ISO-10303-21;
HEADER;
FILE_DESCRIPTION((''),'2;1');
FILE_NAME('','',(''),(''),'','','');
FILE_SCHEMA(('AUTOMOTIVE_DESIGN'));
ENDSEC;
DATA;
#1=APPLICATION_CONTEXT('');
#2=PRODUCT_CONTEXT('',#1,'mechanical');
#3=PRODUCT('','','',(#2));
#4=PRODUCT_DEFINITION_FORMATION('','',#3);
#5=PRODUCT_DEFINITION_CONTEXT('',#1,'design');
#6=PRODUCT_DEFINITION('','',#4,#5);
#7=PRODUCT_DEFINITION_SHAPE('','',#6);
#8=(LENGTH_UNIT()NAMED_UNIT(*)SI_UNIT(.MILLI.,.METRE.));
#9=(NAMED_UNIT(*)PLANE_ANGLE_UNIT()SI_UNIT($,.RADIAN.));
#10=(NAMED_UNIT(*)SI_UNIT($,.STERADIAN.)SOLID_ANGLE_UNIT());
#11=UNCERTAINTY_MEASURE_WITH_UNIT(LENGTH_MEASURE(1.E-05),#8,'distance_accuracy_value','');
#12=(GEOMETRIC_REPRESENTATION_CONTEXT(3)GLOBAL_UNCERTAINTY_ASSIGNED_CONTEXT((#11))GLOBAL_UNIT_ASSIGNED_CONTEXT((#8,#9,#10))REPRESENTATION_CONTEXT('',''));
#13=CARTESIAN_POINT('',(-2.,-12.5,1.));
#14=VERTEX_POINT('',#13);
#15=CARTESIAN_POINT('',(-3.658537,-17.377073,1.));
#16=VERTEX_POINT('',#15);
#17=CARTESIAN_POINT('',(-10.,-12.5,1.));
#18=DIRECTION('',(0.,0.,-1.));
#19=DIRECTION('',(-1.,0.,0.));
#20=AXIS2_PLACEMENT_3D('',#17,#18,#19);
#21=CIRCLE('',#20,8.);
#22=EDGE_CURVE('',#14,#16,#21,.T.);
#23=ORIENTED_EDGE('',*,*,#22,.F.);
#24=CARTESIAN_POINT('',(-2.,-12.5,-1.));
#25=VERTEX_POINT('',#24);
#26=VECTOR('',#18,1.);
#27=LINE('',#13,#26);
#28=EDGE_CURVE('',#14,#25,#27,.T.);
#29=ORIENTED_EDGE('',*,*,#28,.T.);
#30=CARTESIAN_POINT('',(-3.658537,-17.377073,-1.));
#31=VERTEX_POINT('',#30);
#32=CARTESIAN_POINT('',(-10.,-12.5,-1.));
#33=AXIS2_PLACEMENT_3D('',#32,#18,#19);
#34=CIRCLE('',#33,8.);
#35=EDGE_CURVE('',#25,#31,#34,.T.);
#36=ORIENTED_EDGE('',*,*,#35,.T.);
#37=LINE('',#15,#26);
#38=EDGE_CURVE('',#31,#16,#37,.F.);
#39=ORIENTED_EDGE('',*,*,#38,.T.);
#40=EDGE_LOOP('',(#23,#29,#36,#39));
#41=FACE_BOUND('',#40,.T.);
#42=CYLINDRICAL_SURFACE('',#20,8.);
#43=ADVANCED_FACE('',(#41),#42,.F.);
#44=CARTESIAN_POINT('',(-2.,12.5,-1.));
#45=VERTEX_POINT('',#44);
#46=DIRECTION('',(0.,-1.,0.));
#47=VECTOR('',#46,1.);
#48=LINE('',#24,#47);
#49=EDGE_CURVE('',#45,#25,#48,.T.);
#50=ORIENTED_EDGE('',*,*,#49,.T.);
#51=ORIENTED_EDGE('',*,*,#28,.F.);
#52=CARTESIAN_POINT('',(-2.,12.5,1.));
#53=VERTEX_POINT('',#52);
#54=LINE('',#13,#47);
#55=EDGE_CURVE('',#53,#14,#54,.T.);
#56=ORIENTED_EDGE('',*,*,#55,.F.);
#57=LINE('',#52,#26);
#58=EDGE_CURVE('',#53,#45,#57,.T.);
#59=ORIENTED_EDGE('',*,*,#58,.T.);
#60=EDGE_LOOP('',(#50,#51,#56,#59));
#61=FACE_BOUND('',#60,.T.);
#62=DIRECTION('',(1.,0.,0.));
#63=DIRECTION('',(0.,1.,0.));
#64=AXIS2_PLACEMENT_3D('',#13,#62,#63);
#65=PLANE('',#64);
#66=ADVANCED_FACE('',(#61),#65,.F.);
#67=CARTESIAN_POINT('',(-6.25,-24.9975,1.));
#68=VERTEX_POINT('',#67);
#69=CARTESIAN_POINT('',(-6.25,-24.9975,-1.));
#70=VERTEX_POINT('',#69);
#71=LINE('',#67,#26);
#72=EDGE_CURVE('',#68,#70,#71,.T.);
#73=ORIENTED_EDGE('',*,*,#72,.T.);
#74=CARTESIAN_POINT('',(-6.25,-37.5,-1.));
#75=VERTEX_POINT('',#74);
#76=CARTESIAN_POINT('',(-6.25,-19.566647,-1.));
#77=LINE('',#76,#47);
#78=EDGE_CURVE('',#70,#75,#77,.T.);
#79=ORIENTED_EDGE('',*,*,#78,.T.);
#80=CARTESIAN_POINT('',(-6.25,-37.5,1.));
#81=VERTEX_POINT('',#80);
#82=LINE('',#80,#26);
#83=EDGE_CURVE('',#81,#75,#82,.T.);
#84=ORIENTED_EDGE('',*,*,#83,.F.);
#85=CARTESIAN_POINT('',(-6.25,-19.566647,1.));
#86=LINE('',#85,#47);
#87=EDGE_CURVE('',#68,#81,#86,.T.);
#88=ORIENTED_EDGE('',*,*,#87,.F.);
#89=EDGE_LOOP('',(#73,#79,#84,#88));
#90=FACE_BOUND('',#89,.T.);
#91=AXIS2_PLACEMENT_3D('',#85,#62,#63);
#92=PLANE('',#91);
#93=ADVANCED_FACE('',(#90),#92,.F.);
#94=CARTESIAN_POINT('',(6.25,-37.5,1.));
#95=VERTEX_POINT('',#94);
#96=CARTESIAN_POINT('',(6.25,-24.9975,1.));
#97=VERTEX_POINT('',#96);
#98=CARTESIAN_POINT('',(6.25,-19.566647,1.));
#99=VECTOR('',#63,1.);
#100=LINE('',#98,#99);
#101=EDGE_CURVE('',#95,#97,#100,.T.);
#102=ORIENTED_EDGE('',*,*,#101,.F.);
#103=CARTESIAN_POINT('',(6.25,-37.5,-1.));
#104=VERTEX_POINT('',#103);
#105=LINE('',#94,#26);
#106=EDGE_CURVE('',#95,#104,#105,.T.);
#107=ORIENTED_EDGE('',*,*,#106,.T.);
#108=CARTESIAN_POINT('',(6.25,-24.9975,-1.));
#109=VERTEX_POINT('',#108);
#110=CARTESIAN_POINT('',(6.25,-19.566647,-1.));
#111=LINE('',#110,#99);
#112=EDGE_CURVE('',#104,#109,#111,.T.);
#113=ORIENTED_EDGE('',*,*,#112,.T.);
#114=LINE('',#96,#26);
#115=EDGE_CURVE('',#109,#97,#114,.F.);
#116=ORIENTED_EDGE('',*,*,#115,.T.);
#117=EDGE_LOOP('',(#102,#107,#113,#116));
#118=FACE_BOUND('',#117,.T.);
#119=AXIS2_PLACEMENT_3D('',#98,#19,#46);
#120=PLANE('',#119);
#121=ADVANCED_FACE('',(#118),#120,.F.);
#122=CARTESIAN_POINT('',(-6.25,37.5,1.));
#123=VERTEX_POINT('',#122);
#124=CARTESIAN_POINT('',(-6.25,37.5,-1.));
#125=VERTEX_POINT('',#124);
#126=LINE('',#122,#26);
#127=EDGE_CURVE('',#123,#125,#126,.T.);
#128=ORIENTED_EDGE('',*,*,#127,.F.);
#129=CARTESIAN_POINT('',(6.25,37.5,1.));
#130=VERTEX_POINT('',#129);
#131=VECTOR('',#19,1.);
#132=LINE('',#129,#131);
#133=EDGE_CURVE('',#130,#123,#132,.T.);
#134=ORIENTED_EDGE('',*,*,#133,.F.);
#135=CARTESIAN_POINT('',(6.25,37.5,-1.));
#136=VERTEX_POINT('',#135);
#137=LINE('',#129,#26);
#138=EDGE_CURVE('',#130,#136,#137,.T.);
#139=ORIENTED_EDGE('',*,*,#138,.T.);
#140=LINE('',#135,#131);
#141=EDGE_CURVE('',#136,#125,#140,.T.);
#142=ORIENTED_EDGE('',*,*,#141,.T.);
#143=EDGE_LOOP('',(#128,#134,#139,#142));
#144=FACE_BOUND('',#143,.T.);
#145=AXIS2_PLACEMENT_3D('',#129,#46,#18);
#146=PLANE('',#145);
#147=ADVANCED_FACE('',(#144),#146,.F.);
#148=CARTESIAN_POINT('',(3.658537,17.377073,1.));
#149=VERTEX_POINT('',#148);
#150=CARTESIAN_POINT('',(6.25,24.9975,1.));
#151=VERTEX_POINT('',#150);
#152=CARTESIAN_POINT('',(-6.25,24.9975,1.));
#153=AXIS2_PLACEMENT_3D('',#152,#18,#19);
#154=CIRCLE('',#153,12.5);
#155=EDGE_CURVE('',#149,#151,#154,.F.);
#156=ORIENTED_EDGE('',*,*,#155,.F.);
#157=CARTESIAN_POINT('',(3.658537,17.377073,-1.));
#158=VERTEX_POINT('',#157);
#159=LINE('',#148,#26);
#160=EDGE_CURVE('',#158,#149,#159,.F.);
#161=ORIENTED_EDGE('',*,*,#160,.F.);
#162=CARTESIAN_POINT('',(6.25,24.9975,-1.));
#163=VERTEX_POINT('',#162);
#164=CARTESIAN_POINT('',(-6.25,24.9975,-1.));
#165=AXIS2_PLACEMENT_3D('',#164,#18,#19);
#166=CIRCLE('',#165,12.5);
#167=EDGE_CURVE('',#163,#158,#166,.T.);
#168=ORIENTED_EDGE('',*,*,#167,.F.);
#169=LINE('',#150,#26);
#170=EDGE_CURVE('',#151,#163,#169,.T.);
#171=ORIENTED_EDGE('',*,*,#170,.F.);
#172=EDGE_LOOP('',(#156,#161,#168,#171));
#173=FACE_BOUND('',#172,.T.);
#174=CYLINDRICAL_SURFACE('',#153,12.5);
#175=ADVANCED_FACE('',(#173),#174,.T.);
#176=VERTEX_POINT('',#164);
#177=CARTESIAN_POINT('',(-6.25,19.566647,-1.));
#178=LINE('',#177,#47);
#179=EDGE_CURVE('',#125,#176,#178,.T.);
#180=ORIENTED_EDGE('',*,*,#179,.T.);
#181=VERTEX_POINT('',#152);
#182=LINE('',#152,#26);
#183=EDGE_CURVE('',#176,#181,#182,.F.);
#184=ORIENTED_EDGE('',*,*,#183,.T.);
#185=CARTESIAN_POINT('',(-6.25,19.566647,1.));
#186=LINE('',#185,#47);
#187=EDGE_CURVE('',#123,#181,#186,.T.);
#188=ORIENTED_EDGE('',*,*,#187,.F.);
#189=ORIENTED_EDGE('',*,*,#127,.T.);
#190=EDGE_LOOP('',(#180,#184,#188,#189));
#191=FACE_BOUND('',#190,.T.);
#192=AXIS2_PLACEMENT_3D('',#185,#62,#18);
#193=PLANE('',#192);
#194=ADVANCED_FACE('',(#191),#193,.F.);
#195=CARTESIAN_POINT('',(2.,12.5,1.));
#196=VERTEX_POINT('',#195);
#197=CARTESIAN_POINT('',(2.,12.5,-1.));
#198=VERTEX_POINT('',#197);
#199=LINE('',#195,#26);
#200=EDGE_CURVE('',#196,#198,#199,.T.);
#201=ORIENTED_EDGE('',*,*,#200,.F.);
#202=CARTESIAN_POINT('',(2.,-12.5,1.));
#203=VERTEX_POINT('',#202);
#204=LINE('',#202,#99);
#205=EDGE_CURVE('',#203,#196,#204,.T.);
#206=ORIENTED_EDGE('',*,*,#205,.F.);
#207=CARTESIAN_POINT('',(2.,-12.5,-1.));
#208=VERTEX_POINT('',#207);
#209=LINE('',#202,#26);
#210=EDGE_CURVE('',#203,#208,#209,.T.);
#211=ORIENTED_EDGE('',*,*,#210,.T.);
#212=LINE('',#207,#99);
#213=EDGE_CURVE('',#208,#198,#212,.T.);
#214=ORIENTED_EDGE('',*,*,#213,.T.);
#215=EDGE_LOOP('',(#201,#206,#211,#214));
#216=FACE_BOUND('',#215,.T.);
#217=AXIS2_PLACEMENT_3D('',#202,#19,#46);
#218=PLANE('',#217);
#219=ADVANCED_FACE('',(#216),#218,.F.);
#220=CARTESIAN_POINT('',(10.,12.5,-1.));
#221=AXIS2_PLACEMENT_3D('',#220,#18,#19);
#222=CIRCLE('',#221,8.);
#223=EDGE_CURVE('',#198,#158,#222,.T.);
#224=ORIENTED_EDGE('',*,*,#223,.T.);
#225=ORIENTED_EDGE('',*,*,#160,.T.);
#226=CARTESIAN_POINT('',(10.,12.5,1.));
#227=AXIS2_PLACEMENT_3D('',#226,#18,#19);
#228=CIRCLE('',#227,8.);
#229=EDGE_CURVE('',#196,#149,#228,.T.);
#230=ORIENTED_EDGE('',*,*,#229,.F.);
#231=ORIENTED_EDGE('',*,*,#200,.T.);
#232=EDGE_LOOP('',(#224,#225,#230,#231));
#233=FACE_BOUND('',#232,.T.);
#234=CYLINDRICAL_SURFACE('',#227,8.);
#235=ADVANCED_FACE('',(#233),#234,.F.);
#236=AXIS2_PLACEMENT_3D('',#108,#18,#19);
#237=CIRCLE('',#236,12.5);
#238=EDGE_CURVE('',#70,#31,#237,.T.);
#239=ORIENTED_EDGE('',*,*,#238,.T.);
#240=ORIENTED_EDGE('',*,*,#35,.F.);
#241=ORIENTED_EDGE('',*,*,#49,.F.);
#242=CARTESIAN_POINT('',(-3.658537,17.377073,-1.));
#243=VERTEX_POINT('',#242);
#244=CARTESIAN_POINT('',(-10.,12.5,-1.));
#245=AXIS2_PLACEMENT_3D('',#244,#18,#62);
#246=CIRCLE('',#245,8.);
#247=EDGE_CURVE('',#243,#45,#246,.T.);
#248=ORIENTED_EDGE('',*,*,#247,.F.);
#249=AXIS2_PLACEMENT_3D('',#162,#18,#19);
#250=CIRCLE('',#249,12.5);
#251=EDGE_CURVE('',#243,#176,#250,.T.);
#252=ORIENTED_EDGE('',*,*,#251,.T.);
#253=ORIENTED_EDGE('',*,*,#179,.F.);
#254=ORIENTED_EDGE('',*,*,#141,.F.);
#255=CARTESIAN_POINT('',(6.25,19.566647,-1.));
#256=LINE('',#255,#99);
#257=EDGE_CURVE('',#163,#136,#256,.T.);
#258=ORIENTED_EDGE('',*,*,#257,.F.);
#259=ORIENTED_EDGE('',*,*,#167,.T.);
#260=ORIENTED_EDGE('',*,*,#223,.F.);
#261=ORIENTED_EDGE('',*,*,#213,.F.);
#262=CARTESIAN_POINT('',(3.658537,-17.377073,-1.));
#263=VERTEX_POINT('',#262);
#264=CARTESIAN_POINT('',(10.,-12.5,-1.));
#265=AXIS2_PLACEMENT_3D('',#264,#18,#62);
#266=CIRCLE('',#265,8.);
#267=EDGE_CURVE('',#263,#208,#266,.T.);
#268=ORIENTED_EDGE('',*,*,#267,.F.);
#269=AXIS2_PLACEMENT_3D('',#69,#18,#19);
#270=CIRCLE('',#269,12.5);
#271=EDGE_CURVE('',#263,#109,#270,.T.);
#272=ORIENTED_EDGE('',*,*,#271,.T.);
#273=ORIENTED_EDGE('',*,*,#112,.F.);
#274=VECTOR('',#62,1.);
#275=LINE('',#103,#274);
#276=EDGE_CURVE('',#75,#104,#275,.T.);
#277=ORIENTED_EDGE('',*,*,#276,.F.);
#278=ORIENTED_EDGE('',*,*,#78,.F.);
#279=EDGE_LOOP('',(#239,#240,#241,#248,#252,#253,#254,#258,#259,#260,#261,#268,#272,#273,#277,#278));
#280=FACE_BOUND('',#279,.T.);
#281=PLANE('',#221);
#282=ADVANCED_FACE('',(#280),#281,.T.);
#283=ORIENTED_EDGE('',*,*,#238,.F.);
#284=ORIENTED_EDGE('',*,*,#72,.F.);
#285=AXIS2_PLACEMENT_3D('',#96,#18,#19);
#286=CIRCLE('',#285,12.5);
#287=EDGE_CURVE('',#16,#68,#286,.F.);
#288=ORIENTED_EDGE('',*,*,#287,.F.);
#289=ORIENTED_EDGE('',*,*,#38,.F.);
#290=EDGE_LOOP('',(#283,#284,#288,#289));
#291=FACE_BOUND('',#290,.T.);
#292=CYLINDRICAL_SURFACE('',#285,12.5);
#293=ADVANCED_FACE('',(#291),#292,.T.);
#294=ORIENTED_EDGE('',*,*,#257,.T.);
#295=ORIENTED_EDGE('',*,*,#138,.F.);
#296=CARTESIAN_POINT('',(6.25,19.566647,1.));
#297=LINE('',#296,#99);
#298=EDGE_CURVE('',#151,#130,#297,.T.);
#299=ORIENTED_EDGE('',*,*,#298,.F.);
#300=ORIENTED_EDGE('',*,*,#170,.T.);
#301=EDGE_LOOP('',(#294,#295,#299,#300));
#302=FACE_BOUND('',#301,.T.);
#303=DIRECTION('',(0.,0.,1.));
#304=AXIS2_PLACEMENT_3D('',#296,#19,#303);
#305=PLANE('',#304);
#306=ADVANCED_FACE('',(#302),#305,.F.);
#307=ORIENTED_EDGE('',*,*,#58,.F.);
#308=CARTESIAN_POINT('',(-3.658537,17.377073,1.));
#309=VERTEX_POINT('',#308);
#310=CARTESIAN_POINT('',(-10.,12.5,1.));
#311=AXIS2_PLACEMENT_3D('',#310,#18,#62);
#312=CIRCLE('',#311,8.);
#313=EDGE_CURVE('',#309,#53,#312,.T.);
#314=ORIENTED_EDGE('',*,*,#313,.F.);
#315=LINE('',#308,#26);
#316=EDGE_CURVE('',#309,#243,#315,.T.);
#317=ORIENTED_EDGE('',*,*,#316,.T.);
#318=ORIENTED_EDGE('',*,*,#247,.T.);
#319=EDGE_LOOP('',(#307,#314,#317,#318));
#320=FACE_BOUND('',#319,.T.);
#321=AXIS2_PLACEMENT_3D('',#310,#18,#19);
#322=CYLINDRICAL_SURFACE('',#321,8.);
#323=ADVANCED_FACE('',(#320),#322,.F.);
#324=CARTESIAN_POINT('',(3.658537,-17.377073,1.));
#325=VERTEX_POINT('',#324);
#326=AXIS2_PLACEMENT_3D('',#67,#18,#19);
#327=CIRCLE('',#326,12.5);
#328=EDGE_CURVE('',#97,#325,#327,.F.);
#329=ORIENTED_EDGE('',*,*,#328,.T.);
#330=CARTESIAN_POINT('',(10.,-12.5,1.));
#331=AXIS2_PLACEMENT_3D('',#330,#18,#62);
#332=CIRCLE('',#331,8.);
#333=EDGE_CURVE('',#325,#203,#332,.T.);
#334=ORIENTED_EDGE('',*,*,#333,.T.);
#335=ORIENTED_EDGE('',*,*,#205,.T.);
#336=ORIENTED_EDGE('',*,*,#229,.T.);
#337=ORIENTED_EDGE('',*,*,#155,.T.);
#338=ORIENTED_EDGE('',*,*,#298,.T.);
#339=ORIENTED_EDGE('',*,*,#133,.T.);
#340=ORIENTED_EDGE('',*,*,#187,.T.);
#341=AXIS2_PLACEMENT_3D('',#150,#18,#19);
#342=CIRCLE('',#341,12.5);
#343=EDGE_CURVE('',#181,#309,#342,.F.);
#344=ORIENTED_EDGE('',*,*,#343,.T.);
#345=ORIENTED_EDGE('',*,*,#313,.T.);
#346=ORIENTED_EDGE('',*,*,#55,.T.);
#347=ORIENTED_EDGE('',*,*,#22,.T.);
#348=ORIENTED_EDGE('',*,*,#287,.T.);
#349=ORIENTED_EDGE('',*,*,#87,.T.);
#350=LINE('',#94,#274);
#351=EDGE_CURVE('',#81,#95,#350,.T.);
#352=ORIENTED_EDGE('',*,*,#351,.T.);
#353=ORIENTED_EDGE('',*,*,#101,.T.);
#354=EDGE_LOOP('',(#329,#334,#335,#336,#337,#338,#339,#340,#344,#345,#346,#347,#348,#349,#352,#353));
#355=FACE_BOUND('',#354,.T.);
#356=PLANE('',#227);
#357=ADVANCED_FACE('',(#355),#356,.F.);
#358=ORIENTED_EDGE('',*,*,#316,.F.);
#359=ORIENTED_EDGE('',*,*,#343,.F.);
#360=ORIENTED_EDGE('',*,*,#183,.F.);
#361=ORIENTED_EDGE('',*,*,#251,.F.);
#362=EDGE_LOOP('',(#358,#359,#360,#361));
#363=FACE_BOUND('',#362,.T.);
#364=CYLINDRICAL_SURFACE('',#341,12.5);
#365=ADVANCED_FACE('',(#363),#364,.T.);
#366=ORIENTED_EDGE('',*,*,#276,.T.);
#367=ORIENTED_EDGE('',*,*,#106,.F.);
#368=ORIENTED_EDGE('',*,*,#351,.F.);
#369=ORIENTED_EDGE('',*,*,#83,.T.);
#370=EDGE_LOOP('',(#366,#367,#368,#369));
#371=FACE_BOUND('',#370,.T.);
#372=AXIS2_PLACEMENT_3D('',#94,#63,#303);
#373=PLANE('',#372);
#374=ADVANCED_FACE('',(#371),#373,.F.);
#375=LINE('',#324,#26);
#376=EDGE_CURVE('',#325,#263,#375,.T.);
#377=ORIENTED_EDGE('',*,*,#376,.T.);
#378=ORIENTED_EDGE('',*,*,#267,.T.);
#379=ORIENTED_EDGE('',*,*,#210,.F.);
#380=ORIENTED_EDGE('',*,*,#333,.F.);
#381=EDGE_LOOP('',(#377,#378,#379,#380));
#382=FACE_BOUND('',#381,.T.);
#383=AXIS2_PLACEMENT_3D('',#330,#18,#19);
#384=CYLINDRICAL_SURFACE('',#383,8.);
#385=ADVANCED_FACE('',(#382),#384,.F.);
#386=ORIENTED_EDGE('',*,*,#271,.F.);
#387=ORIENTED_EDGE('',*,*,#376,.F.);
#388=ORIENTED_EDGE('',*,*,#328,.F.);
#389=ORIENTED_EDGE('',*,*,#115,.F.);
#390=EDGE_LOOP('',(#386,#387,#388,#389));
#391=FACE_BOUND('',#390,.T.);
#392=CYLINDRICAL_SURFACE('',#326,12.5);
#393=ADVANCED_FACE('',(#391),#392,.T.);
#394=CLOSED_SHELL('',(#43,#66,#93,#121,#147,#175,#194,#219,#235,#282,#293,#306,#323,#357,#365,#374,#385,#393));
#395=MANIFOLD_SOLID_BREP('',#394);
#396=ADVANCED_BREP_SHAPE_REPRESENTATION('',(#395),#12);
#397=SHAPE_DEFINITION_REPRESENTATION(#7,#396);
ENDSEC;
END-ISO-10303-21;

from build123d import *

# Parameters (mm, degrees)
STREKKPR_VE_DEPTH = 1
FILLET1_R         = 12.5


with BuildPart() as part:
    # Sketch1 → Strekkprøve (new, symmetric)
    with BuildSketch(Plane.XY):
        with BuildLine():
            Line((2, -12.5), (2, 12.5))
            ThreePointArc((2, 12.5), (3.1443454, 16.623105626), (6.25, 19.566647013))
            Line((6.25, 19.566647013), (6.25, 37.5))
            Line((6.25, 37.5), (-6.25, 37.5))
            Line((-6.25, 37.5), (-6.25, 19.566647013))
            ThreePointArc((-6.25, 19.566647013), (-3.1443454, 16.623105626), (-2, 12.5))
            Line((-2, 12.5), (-2, -12.5))
            ThreePointArc((-2, -12.5), (-3.1443454, -16.623105626), (-6.25, -19.566647013))
            Line((-6.25, -19.566647013), (-6.25, -37.5))
            Line((-6.25, -37.5), (6.25, -37.5))
            Line((6.25, -37.5), (6.25, -19.566647013))
            ThreePointArc((6.25, -19.566647013), (3.1443454, -16.623105626), (2, -12.5))
        make_face()
    extrude(amount=STREKKPR_VE_DEPTH, both=True)

    # Fillet1
    fillet1_edges = [part.edges().sort_by_distance(p)[0] for p in [
        (6.25, -19.566647013, 0),
        (-6.25, -19.566647013, 0),
        (-6.25, 19.566647013, 0),
        (6.25, 19.566647013, 0),
    ]]
    fillet(fillet1_edges, radius=FILLET1_R)


solid = part.part
